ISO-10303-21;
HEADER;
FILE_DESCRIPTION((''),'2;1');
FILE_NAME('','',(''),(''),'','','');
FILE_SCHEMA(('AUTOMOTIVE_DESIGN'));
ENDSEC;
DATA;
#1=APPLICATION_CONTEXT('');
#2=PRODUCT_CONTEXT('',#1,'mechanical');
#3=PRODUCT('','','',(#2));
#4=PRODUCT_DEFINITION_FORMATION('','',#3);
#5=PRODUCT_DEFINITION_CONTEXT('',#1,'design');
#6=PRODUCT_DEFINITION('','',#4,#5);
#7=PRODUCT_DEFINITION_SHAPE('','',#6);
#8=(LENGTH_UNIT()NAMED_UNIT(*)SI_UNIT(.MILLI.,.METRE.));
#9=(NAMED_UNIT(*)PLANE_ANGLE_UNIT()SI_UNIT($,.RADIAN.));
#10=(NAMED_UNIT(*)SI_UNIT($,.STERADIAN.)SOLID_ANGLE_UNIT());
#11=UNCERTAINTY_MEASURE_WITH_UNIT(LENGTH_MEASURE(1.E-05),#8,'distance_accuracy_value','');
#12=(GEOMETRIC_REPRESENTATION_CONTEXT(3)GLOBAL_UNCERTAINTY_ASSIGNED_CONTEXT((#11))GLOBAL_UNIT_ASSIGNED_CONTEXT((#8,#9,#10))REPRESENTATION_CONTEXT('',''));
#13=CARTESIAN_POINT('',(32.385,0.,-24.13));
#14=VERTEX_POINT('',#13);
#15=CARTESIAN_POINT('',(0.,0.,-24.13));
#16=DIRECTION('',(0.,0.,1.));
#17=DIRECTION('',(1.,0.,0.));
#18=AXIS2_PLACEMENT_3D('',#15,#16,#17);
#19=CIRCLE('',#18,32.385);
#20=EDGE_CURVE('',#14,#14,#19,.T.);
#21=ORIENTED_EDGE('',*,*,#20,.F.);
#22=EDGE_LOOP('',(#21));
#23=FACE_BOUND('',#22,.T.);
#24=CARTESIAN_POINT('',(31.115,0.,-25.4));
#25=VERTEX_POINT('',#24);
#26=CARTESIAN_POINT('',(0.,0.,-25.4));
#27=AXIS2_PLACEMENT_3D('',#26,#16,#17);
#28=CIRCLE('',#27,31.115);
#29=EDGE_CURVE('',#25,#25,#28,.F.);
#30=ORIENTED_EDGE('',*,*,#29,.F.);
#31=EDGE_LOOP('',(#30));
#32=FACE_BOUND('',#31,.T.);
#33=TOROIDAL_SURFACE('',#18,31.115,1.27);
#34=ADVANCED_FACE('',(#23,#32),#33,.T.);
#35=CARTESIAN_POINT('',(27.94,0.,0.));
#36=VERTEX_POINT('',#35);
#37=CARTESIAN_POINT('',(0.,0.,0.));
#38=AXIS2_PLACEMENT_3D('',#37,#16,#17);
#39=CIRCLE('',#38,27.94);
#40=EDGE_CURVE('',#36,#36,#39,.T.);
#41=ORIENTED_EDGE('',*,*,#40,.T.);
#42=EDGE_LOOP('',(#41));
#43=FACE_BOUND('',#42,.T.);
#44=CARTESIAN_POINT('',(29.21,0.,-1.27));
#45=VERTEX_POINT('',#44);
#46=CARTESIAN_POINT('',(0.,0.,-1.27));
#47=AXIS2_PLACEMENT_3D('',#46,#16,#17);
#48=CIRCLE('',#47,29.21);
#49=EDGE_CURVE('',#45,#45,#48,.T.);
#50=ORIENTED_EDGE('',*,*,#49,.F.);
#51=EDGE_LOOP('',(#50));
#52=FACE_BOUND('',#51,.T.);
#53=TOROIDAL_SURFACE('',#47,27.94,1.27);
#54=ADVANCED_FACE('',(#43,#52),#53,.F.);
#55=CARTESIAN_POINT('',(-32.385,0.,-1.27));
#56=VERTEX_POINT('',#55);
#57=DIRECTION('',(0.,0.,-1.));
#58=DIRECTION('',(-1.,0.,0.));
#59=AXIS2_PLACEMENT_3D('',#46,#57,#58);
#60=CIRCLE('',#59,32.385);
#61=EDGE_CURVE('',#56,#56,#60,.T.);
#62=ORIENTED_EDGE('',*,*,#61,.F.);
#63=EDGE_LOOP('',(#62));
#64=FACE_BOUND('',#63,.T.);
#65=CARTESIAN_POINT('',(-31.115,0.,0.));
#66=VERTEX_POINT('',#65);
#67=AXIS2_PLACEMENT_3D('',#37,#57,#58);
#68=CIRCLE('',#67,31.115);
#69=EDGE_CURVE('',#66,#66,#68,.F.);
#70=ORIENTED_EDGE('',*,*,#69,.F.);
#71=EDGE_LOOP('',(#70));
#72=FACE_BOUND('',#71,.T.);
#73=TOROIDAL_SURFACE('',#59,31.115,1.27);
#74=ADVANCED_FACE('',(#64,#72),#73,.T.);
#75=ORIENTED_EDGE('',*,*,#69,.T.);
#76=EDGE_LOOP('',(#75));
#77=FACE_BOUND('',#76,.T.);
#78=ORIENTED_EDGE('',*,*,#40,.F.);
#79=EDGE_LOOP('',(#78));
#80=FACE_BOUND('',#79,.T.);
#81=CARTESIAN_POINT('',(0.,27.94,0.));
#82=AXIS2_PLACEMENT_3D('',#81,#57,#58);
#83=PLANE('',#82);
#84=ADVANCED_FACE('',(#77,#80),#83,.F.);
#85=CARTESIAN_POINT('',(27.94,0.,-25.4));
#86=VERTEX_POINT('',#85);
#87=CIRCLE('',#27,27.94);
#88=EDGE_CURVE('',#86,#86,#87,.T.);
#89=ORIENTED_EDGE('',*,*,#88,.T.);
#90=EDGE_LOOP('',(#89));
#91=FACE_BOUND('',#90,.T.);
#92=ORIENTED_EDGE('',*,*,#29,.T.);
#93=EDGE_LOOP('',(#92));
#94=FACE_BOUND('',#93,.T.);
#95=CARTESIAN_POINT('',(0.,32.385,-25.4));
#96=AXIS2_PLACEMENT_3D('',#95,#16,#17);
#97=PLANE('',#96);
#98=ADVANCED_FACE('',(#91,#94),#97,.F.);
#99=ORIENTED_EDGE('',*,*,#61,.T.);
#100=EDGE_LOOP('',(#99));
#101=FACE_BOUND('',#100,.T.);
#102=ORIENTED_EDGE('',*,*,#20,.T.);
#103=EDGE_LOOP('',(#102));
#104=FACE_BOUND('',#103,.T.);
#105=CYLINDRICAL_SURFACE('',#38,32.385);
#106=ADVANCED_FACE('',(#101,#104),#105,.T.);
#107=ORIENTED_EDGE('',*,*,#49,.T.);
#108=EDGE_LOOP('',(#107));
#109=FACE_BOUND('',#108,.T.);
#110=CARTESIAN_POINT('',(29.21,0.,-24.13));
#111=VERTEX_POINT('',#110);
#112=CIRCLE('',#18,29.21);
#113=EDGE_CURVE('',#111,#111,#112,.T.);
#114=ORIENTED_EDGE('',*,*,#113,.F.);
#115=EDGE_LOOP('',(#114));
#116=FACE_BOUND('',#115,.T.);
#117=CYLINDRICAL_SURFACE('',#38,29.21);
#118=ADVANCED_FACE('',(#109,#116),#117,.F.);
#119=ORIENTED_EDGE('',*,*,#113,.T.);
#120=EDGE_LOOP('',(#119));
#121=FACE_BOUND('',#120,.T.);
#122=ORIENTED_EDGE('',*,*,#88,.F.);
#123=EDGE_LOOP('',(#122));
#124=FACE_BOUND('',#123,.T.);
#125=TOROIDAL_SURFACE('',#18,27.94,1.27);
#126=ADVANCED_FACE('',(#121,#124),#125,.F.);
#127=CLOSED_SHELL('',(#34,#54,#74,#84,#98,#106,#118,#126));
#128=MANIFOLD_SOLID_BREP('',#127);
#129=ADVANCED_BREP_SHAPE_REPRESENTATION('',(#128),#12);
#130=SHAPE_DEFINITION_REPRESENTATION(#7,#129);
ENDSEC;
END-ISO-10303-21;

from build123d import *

# Parameters (mm, degrees)
FILLET1_R = 1.27


with BuildPart() as part:
    # Sketch1 → Revolve1 (revolve)
    with BuildSketch(Plane(origin=(0, 0, 0), x_dir=(0, 0, -1), z_dir=(1, 0, 0))):
        with BuildLine():
            Line((0, 27.94), (0, 32.385))
            Line((0, 32.385), (25.4, 32.385))
            Line((25.4, 32.385), (25.4, 27.94))
            ThreePointArc((25.4, 27.94), (25.028025612, 28.838025612), (24.13, 29.21))
            Line((24.13, 29.21), (1.27, 29.21))
            ThreePointArc((1.27, 29.21), (0.371974388, 28.838025612), (0, 27.94))
        make_face()
    revolve(axis=Axis((0, 0, 0), (0, 0, -1)))

    # Fillet1
    fillet1_edges = [part.edges().sort_by_distance(p)[0] for p in [
        (0, -32.385, -25.4),
        (0, -32.385, 0),
    ]]
    fillet(fillet1_edges, radius=FILLET1_R)


solid = part.part
